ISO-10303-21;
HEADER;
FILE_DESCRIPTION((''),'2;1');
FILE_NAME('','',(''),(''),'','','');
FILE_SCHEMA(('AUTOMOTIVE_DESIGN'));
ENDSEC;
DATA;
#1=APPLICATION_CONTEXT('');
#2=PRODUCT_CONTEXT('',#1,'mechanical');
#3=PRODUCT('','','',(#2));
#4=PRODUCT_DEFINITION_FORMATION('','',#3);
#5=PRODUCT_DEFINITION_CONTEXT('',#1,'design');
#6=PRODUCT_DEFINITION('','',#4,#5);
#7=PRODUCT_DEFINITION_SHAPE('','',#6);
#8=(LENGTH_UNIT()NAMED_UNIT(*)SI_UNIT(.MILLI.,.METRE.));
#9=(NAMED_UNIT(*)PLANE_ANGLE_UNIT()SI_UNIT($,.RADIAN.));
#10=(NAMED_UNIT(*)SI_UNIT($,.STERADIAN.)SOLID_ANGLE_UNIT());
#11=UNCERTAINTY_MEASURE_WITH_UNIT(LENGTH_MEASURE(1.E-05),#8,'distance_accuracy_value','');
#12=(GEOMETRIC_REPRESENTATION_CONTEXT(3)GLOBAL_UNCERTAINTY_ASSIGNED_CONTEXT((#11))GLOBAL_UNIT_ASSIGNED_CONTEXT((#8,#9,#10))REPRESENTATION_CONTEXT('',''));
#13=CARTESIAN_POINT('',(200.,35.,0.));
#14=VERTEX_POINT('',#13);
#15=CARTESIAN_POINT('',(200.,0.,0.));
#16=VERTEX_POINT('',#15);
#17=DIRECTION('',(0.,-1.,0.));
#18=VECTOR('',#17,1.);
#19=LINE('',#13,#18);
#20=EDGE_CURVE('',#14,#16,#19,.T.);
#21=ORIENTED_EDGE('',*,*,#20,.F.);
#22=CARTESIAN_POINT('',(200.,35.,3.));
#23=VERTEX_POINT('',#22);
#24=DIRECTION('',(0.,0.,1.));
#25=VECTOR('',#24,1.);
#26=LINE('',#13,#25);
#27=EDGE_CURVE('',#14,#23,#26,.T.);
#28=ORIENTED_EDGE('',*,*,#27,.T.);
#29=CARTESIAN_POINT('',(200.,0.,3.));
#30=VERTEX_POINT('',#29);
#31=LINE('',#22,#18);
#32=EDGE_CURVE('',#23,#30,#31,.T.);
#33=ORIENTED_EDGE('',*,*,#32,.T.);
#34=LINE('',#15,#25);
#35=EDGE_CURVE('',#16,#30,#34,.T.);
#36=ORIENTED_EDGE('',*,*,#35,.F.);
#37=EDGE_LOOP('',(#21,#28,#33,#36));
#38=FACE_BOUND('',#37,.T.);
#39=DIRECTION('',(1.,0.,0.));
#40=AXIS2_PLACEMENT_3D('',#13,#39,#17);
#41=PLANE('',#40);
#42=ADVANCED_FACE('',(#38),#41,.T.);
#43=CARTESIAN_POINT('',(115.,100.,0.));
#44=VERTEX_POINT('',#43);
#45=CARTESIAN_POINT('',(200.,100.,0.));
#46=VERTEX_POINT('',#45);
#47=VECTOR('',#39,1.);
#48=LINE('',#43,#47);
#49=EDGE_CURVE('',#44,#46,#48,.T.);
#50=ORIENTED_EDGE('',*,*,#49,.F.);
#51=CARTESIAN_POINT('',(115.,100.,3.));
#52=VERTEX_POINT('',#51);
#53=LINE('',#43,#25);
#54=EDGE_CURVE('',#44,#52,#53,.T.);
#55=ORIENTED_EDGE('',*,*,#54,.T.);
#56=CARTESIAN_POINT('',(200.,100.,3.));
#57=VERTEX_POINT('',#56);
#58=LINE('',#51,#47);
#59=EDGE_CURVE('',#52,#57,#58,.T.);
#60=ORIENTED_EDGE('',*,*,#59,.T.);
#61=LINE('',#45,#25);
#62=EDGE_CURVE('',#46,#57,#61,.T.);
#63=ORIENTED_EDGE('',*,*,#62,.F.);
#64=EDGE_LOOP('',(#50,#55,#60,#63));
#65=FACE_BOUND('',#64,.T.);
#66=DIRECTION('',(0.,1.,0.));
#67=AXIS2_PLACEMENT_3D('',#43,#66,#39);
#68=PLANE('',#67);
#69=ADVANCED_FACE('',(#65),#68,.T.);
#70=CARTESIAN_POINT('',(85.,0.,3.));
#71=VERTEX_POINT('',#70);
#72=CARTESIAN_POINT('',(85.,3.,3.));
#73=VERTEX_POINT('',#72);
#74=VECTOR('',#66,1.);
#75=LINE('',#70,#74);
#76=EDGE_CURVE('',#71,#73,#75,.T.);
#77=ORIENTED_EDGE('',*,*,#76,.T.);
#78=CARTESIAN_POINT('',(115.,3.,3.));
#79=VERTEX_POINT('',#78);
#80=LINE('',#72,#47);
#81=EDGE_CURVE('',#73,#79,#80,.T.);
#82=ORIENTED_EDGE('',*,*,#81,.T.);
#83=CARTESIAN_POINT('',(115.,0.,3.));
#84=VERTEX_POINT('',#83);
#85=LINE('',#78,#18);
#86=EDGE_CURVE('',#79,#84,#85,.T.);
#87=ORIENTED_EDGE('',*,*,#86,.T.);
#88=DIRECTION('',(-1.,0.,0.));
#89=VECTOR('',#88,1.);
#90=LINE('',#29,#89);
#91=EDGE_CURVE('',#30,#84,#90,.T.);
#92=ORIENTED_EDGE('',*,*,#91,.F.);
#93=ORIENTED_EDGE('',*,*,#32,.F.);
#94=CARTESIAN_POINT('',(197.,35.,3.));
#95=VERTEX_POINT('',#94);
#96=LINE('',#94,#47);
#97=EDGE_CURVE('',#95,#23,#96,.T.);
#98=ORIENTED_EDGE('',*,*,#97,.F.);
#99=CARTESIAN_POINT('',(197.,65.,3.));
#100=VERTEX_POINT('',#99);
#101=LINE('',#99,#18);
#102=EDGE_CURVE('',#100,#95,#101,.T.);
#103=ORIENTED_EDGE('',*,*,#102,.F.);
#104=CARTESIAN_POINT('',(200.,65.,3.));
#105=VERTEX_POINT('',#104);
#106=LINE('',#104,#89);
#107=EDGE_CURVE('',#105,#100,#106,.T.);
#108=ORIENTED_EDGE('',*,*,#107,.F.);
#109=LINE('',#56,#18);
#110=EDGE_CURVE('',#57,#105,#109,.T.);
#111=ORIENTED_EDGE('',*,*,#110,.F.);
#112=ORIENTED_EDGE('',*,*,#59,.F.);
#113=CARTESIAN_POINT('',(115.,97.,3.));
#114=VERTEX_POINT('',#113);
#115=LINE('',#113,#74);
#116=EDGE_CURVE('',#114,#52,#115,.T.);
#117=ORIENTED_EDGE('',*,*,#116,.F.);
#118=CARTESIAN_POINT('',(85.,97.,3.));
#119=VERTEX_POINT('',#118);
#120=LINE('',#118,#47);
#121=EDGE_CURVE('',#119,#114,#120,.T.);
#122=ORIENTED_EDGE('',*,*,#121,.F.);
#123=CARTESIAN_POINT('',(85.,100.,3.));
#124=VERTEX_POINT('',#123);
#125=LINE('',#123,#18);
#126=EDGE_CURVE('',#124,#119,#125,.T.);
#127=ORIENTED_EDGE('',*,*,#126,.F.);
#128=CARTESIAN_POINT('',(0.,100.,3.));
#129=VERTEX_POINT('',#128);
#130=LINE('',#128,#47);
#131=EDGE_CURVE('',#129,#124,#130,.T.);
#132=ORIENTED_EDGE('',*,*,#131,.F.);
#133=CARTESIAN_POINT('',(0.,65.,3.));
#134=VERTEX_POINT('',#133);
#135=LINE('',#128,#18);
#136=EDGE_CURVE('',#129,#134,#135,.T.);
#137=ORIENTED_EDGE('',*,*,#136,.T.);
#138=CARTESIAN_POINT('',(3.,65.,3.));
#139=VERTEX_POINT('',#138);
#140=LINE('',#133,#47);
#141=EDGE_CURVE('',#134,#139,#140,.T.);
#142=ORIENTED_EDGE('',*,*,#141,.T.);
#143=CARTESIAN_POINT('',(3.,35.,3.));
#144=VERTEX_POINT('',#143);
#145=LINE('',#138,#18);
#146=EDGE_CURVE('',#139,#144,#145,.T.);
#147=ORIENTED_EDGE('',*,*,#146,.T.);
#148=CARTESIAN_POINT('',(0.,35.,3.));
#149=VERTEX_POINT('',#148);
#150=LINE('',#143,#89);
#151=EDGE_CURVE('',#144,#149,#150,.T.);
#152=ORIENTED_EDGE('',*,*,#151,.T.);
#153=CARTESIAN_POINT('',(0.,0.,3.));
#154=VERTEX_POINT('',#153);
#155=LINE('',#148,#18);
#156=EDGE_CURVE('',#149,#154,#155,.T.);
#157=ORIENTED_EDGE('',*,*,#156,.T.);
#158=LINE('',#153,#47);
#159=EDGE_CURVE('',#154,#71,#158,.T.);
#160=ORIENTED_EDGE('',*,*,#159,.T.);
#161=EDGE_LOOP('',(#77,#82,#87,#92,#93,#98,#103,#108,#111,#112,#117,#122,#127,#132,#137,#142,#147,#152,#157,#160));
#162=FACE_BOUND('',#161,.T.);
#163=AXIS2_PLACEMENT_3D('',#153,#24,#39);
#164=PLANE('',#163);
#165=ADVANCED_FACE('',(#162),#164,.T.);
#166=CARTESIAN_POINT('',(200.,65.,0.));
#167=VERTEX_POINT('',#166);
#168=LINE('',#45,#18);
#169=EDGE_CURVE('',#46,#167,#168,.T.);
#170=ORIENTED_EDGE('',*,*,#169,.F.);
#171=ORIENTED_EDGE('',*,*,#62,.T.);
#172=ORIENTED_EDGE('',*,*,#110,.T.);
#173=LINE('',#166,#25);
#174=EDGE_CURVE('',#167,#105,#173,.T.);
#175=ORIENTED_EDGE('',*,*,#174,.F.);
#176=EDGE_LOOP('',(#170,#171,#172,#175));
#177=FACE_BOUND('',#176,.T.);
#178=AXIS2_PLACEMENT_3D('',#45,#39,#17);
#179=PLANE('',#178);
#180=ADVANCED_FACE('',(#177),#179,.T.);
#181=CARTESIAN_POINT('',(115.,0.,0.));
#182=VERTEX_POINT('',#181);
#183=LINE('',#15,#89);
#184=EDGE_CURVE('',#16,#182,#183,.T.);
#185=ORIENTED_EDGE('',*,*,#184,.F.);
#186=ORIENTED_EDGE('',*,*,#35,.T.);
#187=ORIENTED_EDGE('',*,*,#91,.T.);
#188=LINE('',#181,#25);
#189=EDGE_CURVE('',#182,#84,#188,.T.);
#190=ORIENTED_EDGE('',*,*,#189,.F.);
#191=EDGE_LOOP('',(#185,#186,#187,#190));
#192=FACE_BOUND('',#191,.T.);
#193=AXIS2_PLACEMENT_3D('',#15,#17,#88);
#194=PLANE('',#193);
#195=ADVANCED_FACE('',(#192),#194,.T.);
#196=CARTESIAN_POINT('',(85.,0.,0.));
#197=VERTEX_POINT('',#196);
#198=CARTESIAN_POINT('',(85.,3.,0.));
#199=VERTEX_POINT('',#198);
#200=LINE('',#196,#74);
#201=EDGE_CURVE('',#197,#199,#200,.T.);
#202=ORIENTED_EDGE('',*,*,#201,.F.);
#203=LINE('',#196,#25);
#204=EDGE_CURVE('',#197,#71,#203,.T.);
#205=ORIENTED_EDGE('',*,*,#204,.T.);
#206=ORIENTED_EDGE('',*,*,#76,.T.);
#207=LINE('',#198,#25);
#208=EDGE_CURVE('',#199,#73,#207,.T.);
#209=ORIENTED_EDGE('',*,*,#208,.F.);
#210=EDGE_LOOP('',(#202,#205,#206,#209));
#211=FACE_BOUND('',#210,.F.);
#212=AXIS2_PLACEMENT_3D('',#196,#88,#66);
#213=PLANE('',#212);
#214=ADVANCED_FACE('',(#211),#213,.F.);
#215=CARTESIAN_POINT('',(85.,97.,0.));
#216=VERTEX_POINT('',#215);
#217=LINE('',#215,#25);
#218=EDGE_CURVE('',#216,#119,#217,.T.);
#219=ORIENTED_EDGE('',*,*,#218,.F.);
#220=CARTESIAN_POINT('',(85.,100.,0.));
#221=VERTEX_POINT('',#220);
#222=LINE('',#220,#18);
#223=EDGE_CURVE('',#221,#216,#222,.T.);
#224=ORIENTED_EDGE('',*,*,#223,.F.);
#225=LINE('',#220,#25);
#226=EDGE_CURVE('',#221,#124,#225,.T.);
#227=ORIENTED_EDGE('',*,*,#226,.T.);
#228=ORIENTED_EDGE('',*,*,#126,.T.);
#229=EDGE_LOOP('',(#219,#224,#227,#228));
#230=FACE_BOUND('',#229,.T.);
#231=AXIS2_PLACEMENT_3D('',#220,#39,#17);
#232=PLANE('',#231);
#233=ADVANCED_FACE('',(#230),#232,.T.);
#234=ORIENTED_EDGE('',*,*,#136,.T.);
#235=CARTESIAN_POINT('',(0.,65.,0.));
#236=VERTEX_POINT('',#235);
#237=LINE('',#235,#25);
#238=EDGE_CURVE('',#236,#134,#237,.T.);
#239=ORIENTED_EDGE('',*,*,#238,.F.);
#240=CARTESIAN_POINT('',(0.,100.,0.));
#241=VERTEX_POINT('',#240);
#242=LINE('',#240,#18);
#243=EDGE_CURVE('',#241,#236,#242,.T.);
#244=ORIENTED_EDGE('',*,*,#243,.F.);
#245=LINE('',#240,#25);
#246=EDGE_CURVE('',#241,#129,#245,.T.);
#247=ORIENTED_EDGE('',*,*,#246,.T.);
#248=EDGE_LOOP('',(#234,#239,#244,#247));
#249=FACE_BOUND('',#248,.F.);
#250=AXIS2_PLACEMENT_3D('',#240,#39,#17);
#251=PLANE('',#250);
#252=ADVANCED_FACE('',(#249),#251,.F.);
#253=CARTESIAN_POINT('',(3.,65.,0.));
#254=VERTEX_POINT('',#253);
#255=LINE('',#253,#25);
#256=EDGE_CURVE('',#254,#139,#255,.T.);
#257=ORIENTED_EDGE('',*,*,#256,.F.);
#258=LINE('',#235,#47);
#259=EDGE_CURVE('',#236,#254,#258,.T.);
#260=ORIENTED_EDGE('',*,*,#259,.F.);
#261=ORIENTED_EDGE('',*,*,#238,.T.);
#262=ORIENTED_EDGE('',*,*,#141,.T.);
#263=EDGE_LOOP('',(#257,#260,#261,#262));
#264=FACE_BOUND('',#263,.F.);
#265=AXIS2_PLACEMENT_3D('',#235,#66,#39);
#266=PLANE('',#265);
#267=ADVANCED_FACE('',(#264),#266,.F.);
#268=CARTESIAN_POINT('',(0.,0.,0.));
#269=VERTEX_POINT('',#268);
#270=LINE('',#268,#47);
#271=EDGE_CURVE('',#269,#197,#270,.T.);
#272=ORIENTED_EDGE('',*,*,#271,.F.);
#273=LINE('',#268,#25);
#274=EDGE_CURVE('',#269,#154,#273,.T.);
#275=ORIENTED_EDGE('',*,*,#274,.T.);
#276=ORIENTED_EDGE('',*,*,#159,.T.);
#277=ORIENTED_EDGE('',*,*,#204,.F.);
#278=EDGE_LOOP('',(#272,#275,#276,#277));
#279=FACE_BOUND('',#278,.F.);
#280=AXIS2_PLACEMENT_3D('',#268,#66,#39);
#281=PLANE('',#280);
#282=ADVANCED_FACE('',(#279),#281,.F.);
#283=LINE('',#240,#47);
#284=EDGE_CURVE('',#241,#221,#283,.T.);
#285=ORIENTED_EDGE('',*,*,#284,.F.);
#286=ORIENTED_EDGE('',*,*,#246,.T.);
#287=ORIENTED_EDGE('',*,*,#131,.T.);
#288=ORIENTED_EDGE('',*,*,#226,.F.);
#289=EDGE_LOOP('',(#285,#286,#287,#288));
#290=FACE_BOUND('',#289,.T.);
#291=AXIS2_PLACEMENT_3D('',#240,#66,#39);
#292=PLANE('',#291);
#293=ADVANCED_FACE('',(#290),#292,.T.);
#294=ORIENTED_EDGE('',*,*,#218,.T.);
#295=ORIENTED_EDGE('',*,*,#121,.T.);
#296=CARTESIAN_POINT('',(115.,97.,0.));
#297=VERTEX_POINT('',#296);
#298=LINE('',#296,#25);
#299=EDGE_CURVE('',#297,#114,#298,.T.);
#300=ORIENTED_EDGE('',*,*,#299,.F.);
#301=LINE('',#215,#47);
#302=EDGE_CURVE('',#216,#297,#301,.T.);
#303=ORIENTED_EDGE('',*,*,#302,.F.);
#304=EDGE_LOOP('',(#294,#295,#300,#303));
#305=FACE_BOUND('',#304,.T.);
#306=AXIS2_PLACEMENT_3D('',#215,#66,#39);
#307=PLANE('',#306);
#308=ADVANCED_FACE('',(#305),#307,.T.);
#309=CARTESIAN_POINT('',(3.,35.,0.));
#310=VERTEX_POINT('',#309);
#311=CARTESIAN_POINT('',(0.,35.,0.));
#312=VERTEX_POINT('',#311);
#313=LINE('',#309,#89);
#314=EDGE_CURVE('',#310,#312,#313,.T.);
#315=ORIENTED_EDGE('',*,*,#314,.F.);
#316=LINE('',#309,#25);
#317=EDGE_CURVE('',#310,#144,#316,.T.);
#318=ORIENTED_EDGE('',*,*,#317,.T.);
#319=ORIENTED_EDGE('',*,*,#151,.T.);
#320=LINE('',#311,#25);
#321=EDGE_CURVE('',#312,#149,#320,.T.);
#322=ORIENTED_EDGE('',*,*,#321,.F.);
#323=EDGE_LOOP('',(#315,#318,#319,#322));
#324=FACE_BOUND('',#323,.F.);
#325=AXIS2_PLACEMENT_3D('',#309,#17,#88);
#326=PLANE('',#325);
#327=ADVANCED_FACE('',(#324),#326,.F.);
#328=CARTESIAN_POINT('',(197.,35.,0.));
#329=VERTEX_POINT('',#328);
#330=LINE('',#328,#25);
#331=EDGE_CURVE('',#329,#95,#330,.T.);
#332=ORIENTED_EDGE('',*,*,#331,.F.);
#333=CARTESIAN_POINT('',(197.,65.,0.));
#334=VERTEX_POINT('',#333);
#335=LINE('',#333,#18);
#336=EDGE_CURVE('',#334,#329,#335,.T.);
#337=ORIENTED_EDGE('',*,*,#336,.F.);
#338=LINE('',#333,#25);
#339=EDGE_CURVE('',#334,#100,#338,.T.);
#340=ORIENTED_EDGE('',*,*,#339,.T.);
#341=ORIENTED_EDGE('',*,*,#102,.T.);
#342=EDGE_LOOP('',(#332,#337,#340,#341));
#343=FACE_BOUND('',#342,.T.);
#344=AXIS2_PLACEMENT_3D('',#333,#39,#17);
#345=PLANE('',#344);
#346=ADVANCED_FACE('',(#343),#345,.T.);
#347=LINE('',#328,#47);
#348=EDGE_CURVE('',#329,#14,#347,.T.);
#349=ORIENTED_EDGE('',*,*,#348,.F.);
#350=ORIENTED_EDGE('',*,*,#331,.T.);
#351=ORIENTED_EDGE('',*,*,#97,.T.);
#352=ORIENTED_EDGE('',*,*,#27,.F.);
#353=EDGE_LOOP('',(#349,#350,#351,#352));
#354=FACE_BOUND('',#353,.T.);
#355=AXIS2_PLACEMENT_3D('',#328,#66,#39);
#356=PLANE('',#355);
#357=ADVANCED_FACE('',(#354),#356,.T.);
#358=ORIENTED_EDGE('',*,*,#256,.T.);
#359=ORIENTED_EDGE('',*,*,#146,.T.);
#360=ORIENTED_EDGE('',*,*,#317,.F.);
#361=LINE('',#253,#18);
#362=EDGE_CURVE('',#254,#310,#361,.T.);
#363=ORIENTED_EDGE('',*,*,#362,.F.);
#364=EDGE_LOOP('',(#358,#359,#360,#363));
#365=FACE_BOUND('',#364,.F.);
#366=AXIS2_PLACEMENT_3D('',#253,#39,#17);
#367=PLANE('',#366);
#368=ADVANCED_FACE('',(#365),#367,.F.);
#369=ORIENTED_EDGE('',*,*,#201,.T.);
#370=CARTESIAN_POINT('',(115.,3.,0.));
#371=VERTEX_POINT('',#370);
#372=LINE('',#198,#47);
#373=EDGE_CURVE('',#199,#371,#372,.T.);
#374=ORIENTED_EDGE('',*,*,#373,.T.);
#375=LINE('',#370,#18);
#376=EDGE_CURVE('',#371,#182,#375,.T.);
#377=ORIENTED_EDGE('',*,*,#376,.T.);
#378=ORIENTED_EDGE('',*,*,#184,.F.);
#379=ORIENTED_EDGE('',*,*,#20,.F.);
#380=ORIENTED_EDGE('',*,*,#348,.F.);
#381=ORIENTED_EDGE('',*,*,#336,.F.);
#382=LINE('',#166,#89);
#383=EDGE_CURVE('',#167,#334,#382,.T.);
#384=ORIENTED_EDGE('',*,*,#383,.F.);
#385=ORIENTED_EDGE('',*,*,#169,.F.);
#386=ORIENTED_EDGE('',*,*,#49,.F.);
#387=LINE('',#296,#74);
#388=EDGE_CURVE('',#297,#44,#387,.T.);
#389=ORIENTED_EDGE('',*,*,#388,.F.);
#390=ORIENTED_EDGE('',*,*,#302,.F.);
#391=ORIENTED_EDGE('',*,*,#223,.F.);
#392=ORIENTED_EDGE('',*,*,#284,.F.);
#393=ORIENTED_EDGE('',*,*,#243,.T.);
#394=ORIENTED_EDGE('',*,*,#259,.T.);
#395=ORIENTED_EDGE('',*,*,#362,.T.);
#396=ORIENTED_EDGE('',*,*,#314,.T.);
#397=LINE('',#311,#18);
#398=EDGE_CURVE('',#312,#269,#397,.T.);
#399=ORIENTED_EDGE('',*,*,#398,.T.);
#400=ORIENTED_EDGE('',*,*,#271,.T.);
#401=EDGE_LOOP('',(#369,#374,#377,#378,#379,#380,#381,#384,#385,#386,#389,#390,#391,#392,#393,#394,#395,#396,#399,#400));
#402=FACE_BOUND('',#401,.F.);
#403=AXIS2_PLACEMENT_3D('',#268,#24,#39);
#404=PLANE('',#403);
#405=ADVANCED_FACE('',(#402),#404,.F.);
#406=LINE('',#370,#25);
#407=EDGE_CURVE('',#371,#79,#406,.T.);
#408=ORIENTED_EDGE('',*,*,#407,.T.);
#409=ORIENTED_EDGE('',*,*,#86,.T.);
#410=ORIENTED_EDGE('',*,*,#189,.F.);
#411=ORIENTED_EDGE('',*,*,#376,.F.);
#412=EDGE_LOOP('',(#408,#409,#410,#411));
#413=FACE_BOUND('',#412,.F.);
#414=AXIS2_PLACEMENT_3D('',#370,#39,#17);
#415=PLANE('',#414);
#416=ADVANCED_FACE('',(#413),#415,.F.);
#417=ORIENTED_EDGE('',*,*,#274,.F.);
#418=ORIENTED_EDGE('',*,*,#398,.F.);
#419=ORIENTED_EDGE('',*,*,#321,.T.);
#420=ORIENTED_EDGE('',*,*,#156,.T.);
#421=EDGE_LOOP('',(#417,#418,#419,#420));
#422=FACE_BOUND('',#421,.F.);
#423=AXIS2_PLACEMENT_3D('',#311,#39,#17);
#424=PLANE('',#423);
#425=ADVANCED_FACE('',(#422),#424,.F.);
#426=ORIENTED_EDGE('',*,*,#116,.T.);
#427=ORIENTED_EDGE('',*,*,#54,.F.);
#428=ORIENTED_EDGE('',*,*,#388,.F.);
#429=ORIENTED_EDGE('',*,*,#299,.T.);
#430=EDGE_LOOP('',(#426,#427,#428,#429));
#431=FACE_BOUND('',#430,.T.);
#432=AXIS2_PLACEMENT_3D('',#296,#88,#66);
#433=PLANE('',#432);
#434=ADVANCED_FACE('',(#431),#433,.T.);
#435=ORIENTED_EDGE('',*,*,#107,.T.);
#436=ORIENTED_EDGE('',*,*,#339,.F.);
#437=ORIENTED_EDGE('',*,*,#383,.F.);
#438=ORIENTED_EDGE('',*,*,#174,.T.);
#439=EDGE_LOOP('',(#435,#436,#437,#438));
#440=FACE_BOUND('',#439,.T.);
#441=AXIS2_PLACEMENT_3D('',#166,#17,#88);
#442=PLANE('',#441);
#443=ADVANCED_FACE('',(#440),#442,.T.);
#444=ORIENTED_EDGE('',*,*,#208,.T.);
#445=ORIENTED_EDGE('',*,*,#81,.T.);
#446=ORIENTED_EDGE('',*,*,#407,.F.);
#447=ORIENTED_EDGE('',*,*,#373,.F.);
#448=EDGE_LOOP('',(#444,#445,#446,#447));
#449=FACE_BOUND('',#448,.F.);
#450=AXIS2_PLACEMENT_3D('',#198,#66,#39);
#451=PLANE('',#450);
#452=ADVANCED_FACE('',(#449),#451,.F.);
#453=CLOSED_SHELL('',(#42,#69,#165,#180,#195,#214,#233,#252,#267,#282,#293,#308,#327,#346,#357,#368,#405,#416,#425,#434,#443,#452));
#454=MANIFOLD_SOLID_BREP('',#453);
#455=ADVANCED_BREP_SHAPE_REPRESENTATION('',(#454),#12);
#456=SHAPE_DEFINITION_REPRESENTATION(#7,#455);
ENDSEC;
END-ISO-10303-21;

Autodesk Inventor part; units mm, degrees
ref_plane "YZ Plane" through (0, 0, 0) normal (1, 0, 0) x (0, 1, 0)
ref_plane "XZ Plane" through (0, 0, 0) normal (0, 1, 0) x (-1, 0, 0)
ref_plane "XY Plane" through (0, 0, 0) normal (0, 0, 1) x (1, 0, 0)
sketch "Sketch1" plane through (0, 0, 0) normal (0, 0, 1) x (1, 0, 0)
  line L0 (0, 0) -> (85, 0)
  line L1 (85, 0) -> (85, 3)
  line L2 (85, 3) -> (115, 3)
  line L3 (115, 3) -> (115, 0)
  line L4 (200, 0) -> (115, 0)
  line L5 (0, 100) -> (85, 100)
  line L6 (85, 100) -> (85, 97)
  line L7 (85, 97) -> (115, 97)
  line L8 (115, 97) -> (115, 100)
  line L9 (115, 100) -> (200, 100)
  line L10 (0, 100) -> (0, 65)
  line L11 (0, 65) -> (3, 65)
  line L12 (3, 65) -> (3, 35)
  line L13 (3, 35) -> (0, 35)
  line L14 (0, 35) -> (0, 0)
  line L15 (200, 100) -> (200, 65)
  line L16 (200, 65) -> (197, 65)
  line L17 (197, 65) -> (197, 35)
  line L18 (197, 35) -> (200, 35)
  line L19 (200, 35) -> (200, 0)
  dimension "d1" = 200
  dimension "d9" = 85
  dimension "d10" = 85
  dimension "d12" = 3
  dimension "d13" = 100
  dimension "d14" = 3
  dimension "d15" = 35
  dimension "d16" = 35
  dimension "d17" = 3
extrude "Extrusion1" add sketch "Sketch1" along normal blind 3
